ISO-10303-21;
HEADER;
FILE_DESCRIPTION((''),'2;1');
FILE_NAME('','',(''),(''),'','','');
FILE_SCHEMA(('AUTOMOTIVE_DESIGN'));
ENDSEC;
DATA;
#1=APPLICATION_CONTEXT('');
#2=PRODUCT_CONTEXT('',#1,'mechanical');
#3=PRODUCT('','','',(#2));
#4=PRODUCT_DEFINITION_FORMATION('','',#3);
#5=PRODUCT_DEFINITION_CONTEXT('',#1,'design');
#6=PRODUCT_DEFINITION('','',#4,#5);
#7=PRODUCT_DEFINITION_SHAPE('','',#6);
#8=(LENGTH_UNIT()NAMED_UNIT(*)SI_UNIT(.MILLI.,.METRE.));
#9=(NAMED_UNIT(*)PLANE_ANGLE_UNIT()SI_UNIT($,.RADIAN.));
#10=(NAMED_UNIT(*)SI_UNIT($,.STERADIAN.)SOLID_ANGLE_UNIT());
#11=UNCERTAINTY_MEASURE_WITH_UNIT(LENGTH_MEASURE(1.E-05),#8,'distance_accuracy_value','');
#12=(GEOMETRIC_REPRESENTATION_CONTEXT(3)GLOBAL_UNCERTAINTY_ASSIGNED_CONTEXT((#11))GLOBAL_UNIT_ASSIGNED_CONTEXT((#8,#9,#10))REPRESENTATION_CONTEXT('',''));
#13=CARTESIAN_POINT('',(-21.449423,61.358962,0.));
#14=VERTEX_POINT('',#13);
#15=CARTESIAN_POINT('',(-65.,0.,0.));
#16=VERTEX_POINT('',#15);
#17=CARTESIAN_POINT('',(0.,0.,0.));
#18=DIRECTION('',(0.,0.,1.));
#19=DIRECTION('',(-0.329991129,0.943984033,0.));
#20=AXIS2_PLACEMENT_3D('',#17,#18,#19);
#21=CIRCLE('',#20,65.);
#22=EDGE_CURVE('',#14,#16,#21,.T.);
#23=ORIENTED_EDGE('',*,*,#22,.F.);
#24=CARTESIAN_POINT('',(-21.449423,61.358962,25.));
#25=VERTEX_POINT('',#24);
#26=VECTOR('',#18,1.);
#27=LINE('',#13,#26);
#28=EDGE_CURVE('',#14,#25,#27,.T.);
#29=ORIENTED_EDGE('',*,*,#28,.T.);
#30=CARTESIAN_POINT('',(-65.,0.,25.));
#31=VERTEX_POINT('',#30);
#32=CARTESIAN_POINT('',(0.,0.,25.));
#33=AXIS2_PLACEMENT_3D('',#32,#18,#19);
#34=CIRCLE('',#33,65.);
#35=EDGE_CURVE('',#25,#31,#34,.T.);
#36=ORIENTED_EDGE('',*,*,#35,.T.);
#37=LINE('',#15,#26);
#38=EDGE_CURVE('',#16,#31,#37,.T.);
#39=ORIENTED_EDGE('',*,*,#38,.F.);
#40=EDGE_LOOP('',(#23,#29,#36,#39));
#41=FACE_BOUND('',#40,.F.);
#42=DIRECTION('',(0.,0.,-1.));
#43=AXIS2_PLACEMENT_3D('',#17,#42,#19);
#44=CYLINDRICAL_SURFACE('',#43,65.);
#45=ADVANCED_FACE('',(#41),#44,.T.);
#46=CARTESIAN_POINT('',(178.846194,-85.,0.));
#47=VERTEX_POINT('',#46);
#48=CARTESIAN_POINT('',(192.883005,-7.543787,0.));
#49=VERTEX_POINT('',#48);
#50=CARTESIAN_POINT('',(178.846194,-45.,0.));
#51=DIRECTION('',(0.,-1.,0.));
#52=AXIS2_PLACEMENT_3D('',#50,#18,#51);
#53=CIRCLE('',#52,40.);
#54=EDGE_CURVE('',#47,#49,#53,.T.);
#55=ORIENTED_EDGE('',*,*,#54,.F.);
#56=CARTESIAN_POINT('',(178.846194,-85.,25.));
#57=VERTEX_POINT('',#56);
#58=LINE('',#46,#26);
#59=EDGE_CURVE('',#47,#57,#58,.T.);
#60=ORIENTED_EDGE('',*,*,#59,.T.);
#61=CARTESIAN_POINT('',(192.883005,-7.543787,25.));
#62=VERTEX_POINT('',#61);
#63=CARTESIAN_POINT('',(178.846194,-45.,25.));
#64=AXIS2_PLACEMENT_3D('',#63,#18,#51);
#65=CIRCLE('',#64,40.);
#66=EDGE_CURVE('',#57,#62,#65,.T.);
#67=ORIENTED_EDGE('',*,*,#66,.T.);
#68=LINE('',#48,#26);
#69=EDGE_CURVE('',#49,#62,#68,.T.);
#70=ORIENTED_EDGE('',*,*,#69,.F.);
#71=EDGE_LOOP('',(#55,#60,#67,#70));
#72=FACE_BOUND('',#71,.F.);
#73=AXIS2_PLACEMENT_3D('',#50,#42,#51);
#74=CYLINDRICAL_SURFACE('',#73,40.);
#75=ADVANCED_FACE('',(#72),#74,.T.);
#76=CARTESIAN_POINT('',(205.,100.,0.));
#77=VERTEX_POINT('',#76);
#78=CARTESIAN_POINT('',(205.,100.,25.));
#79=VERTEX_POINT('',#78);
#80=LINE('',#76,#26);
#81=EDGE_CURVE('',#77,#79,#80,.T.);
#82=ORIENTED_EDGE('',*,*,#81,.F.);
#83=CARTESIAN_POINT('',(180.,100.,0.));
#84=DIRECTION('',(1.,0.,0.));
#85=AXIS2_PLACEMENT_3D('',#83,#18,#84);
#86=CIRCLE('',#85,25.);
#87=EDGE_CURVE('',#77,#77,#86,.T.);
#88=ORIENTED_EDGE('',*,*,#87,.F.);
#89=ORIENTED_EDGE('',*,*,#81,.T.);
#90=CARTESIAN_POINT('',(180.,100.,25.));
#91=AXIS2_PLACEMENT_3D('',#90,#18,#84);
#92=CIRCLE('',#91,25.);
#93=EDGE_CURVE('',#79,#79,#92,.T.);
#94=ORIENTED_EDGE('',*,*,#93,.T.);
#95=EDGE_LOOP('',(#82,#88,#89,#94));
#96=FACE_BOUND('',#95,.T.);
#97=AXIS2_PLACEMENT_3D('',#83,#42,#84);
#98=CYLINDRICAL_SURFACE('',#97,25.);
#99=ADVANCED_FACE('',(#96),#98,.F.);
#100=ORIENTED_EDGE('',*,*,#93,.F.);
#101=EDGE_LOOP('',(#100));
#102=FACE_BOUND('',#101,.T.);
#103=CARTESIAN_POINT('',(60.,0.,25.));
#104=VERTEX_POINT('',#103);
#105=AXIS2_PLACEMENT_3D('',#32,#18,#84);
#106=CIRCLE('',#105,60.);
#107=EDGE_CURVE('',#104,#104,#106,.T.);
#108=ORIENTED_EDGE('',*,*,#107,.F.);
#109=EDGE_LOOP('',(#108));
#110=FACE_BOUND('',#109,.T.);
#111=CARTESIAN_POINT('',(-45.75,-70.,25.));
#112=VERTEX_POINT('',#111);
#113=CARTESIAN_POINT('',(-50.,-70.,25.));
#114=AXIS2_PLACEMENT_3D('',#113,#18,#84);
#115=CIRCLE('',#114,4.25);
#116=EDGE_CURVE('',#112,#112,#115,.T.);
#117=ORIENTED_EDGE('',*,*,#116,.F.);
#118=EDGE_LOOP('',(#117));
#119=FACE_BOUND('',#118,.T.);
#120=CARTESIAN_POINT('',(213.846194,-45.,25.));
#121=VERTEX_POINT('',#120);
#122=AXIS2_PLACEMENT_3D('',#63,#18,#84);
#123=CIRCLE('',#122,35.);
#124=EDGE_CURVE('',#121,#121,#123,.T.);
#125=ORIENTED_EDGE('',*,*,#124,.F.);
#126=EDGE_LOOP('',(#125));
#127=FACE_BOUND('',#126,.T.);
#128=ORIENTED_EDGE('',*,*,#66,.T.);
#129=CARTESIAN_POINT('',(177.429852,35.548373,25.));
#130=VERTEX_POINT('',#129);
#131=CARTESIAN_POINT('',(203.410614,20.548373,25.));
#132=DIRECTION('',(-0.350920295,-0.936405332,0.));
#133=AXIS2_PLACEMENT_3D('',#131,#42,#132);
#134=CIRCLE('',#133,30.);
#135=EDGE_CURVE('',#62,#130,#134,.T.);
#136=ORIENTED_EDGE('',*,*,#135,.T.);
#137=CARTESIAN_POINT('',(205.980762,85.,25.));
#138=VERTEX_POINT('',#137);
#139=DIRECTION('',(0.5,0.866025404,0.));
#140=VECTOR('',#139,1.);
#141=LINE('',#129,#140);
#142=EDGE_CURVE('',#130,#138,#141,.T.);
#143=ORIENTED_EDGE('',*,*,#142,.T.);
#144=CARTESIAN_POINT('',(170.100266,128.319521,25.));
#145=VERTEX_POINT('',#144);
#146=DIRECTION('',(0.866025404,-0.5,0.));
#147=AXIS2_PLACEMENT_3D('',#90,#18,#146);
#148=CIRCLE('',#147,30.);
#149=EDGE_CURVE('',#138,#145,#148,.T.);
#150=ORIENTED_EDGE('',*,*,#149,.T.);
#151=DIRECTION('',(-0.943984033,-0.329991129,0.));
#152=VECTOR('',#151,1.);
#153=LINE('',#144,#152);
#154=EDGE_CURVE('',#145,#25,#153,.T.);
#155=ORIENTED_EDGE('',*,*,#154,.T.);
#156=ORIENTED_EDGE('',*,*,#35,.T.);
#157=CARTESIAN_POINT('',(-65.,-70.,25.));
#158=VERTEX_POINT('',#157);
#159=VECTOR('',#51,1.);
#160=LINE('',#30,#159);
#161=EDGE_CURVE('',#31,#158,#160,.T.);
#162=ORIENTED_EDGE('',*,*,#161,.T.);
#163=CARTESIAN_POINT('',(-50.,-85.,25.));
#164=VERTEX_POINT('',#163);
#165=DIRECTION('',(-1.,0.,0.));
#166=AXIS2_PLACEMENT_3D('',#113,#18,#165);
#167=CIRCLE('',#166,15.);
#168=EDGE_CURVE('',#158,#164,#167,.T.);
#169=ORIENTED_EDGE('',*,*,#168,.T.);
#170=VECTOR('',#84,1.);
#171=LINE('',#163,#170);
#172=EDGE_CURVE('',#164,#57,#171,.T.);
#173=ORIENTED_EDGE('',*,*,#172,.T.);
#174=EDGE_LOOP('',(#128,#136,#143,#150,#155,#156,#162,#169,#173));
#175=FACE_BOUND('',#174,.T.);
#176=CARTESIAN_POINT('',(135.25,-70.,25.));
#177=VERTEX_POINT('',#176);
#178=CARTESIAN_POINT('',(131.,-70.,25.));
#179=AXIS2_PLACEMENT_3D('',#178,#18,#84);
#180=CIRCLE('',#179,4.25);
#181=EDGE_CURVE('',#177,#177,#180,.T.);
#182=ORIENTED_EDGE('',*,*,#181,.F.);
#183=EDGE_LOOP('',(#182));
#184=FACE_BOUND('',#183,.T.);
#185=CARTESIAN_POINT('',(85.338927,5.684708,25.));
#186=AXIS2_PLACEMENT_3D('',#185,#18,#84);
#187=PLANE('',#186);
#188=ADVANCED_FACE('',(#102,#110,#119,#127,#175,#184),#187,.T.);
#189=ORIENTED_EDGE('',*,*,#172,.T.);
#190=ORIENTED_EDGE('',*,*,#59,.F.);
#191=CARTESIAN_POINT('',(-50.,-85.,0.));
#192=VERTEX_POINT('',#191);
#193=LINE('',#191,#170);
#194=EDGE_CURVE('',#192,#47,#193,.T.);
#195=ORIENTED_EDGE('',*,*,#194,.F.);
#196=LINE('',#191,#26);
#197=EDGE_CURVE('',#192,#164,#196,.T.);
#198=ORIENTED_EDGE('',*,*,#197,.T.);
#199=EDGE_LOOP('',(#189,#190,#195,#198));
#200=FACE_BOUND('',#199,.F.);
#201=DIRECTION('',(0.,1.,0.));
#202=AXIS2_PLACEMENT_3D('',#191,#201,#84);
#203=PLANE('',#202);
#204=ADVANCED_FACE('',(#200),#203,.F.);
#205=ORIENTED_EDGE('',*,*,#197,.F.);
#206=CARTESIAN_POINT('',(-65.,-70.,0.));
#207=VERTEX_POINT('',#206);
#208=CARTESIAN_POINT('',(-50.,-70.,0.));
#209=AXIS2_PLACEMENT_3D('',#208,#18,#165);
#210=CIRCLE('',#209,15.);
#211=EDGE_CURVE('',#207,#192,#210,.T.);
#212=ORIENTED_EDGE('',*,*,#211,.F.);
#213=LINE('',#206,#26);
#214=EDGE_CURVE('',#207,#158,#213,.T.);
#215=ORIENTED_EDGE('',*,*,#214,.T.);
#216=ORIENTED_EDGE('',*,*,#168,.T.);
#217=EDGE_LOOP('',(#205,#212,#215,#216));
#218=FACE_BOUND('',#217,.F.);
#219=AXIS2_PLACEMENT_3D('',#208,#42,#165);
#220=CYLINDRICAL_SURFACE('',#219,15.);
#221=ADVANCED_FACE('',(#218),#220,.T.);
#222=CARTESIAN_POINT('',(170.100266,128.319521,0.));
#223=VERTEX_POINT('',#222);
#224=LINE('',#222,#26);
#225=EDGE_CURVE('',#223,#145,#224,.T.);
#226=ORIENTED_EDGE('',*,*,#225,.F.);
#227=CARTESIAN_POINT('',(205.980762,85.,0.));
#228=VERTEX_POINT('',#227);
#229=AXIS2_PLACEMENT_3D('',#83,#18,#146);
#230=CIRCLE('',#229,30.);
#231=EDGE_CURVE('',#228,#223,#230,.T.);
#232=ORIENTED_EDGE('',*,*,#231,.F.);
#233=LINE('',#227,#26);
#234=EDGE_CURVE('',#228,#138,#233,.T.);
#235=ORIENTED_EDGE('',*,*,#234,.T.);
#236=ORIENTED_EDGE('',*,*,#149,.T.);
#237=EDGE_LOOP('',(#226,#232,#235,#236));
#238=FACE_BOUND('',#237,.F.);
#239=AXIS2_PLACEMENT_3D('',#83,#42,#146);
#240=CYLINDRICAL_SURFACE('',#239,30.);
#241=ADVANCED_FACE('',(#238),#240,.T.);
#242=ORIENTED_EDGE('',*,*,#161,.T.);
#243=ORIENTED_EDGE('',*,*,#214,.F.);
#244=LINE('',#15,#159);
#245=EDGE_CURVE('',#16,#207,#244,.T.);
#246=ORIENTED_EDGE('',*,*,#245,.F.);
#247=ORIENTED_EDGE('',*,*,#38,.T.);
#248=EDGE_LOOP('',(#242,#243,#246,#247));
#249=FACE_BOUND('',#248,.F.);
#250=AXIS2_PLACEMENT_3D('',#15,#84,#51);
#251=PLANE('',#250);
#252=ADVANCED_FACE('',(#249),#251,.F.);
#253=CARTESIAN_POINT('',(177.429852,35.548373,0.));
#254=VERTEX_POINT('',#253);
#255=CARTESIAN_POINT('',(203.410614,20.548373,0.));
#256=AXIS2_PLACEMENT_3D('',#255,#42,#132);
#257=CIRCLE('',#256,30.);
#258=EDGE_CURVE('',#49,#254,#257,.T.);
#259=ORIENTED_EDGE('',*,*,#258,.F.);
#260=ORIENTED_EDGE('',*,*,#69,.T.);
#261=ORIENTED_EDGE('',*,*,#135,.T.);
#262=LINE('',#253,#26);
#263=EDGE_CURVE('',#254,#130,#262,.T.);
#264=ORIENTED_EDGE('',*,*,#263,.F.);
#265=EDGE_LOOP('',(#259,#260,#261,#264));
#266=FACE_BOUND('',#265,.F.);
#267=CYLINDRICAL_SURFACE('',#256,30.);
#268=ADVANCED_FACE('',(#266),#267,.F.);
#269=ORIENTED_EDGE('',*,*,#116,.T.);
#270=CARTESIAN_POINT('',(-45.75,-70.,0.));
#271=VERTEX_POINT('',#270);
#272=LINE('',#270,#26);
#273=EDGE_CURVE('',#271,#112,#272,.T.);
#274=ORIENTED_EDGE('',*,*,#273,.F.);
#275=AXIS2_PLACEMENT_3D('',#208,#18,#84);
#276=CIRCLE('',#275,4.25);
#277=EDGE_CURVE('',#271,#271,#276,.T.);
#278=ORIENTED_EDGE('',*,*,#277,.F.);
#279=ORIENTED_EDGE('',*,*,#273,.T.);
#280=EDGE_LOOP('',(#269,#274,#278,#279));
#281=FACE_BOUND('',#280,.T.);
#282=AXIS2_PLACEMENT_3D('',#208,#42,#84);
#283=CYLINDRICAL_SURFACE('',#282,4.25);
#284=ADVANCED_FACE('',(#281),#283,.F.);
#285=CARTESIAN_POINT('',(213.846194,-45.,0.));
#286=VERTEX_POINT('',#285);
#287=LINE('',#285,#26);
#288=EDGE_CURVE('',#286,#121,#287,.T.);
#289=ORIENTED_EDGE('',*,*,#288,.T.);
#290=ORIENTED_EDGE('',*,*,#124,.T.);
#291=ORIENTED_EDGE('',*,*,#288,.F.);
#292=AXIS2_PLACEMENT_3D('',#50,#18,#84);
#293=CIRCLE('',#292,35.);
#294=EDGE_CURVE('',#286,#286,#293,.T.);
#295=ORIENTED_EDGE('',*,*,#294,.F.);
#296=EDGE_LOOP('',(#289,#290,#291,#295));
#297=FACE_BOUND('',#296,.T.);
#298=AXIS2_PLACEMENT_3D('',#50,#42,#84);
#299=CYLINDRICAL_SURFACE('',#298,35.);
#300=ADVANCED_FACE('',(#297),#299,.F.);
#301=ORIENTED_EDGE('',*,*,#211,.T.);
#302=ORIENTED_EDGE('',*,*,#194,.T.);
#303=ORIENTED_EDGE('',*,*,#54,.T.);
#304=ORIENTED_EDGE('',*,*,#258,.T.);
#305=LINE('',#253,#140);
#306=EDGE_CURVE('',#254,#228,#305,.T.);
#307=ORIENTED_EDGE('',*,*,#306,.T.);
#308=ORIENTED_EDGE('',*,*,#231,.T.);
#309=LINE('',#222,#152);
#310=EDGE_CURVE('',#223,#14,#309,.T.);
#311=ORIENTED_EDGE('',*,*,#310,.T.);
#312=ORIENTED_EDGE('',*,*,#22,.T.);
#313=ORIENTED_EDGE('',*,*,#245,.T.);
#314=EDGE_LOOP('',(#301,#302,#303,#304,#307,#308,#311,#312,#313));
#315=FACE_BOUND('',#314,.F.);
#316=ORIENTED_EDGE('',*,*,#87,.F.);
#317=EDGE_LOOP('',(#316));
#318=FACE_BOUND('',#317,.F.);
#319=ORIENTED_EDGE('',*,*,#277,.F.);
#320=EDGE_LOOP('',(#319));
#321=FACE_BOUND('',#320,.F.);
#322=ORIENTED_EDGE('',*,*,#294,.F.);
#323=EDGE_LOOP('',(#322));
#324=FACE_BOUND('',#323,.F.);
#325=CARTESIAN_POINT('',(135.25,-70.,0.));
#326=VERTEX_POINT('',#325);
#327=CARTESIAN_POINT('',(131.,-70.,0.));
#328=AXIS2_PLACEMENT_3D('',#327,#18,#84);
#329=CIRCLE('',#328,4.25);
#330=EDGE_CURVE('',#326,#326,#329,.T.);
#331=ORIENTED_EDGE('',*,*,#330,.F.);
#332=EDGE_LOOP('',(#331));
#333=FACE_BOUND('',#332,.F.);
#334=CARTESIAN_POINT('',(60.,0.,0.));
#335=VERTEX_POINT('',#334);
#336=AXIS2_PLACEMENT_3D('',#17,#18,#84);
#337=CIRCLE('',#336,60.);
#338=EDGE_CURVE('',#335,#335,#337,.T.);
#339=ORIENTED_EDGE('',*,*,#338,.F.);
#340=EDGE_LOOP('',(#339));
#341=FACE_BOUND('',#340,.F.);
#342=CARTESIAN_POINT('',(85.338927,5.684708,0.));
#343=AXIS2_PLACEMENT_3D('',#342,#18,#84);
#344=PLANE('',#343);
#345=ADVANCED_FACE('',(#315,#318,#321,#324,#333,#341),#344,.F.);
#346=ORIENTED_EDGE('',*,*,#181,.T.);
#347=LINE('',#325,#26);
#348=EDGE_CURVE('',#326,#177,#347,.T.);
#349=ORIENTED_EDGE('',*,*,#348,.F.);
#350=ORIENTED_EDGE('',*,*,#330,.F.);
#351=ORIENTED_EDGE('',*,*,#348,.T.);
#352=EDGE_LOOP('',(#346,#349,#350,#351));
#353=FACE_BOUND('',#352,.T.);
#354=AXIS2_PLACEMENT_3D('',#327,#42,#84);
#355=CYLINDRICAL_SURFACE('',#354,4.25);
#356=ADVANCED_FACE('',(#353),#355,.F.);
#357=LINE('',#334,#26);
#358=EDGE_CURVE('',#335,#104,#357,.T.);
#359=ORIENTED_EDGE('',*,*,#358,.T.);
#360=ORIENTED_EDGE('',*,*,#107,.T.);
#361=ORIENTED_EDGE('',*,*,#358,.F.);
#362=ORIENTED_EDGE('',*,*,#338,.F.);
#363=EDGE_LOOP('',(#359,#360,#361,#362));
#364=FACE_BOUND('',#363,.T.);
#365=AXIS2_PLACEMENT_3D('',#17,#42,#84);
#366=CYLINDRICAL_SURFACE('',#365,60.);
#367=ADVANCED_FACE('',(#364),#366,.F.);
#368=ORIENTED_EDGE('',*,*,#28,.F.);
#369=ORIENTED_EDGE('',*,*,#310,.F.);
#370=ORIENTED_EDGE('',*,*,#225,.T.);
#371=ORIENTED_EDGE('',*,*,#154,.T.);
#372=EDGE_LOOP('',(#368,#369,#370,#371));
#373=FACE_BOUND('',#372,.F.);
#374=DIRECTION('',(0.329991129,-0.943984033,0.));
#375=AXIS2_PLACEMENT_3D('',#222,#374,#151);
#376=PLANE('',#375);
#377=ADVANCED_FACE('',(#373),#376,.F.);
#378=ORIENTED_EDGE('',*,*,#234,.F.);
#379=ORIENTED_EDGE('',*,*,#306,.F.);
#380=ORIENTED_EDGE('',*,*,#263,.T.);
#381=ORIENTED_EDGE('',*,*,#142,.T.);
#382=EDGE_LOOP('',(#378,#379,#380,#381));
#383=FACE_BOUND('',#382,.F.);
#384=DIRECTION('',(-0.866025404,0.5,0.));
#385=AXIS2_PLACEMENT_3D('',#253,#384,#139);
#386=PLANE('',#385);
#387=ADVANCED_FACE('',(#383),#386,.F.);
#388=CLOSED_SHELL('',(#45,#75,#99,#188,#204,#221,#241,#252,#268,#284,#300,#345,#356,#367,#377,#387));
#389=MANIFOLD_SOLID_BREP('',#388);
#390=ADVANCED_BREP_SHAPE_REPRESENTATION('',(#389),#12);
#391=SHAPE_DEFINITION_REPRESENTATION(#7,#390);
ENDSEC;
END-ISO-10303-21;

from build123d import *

# Parameters (mm, degrees)
F0_R     = 4.25
F0_R_2   = 60
F0_R_3   = 35
F0_R_4   = 25
F1_DEPTH = 25


with BuildPart() as f1:
    # F0 (on Top) → F1 (new body)
    with BuildSketch(Plane.XY):
        with BuildLine():
            Line((170.1002661172, 128.3195209891), (-21.4494234128, 61.358962143))
            ThreePointArc((-21.4494234128, 61.358962143), (-53.005719134, 37.621718981), (-65, 0))
            Line((-65, 0), (-65, -70))
            ThreePointArc((-65, -70), (-60.6066017178, -80.6066017178), (-50, -85))
            Line((-50, -85), (178.8461935881, -85))
            ThreePointArc((178.8461935881, -85), (218.2051095537, -52.1327227633), (192.8830053804, -7.5437867009))
            ThreePointArc((192.8830053804, -7.5437867009), (175.1714773697, 10.4216191197), (177.4298521111, 35.5483732734))
            Line((177.4298521111, 35.5483732734), (205.9807621135, 85))
            ThreePointArc((205.9807621135, 85), (203.1040059713, 119.1364810788), (170.1002661172, 128.3195209891))
        make_face()
        with Locations((-50, -70)):
            Circle(F0_R, mode=Mode.SUBTRACT)
        Circle(F0_R_2, mode=Mode.SUBTRACT)
        with BuildLine():
            ThreePointArc((142.0484575751, 113.2166723334), (148.454260007, 111.989449187), (150.5699177395, 105.8198159883))
            ThreePointArc((150.5699177395, 105.8198159883), (156.8959940287, 80.8635189212), (180.2378114363, 70.0009425861))
            ThreePointArc((180.2378114363, 70.0009425861), (185.9055766015, 66.7734327906), (185.9185023721, 60.2511468131))
            Line((185.9185023721, 60.2511468131), (173.0997250922, 38.0483732734))
            ThreePointArc((173.0997250922, 38.0483732734), (168.4108285272, 20.6708524024), (172.9779890769, 3.2609406527))
            ThreePointArc((172.9779890769, 3.2609406527), (173.308231113, -2.4923159625), (168.936535306, -6.2469527297))
            ThreePointArc((168.936535306, -6.2469527297), (146.3376616096, -21.693448376), (138.9630072526, -48.0547418421))
            ThreePointArc((138.9630072526, -48.0547418421), (137.0952919747, -53.1301591241), (132.033946144, -55.0356772498))
            ThreePointArc((132.033946144, -55.0356772498), (119.9040890666, -59.9064000199), (116.2000906263, -72.4418604651))
            ThreePointArc((116.2000906263, -72.4418604651), (114.7430001002, -77.7054781549), (109.7867965644, -80))
            Line((109.7867965644, -80), (-28.7867965644, -80))
            ThreePointArc((-28.7867965644, -80), (-33.7430001002, -77.7054781549), (-35.2000906263, -72.4418604651))
            ThreePointArc((-35.2000906263, -72.4418604651), (-35.0055561406, -69.5917680209), (-35.3548781712, -66.7564823694))
            ThreePointArc((-35.3548781712, -66.7564823694), (-33.1235266853, -60.3192723052), (-26.3715079201, -59.4099618753))
            ThreePointArc((-26.3715079201, -59.4099618753), (59.782037297, -25.516818309), (24.6568807826, 60.1418176486))
            ThreePointArc((24.6568807826, 60.1418176486), (20.6248325672, 66.3275309229), (24.9776265196, 72.2918956277))
            Line((24.9776265196, 72.2918956277), (142.0484575751, 113.2166723334))
        make_face(mode=Mode.SUBTRACT)
        with Locations((131, -70)):
            Circle(F0_R, mode=Mode.SUBTRACT)
        with Locations((178.8461935881, -45)):
            Circle(F0_R_3, mode=Mode.SUBTRACT)
        with Locations((180, 100)):
            Circle(F0_R_4, mode=Mode.SUBTRACT)
        with BuildLine():
            ThreePointArc((180.2378114363, 70.0009425861), (156.8959940287, 80.8635189212), (150.5699177395, 105.8198159883))
            ThreePointArc((150.5699177395, 105.8198159883), (148.454260007, 111.989449187), (142.0484575751, 113.2166723334))
            Line((142.0484575751, 113.2166723334), (24.9776265196, 72.2918956277))
            ThreePointArc((24.9776265196, 72.2918956277), (20.6248325672, 66.3275309229), (24.6568807826, 60.1418176486))
            ThreePointArc((24.6568807826, 60.1418176486), (59.782037297, -25.516818309), (-26.3715079201, -59.4099618753))
            ThreePointArc((-26.3715079201, -59.4099618753), (-33.1235266853, -60.3192723052), (-35.3548781712, -66.7564823694))
            ThreePointArc((-35.3548781712, -66.7564823694), (-35.0055561406, -69.5917680209), (-35.2000906263, -72.4418604651))
            ThreePointArc((-35.2000906263, -72.4418604651), (-33.7430001002, -77.7054781549), (-28.7867965644, -80))
            Line((-28.7867965644, -80), (109.7867965644, -80))
            ThreePointArc((109.7867965644, -80), (114.7430001002, -77.7054781549), (116.2000906263, -72.4418604651))
            ThreePointArc((116.2000906263, -72.4418604651), (119.9040890666, -59.9064000199), (132.033946144, -55.0356772498))
            ThreePointArc((132.033946144, -55.0356772498), (137.0952919747, -53.1301591241), (138.9630072526, -48.0547418421))
            ThreePointArc((138.9630072526, -48.0547418421), (146.3376616096, -21.693448376), (168.936535306, -6.2469527297))
            ThreePointArc((168.936535306, -6.2469527297), (173.308231113, -2.4923159625), (172.9779890769, 3.2609406527))
            ThreePointArc((172.9779890769, 3.2609406527), (168.4108285272, 20.6708524024), (173.0997250922, 38.0483732734))
            Line((173.0997250922, 38.0483732734), (185.9185023721, 60.2511468131))
            ThreePointArc((185.9185023721, 60.2511468131), (185.9055766015, 66.7734327906), (180.2378114363, 70.0009425861))
        make_face()
    extrude(amount=F1_DEPTH)


solid = f1.part
